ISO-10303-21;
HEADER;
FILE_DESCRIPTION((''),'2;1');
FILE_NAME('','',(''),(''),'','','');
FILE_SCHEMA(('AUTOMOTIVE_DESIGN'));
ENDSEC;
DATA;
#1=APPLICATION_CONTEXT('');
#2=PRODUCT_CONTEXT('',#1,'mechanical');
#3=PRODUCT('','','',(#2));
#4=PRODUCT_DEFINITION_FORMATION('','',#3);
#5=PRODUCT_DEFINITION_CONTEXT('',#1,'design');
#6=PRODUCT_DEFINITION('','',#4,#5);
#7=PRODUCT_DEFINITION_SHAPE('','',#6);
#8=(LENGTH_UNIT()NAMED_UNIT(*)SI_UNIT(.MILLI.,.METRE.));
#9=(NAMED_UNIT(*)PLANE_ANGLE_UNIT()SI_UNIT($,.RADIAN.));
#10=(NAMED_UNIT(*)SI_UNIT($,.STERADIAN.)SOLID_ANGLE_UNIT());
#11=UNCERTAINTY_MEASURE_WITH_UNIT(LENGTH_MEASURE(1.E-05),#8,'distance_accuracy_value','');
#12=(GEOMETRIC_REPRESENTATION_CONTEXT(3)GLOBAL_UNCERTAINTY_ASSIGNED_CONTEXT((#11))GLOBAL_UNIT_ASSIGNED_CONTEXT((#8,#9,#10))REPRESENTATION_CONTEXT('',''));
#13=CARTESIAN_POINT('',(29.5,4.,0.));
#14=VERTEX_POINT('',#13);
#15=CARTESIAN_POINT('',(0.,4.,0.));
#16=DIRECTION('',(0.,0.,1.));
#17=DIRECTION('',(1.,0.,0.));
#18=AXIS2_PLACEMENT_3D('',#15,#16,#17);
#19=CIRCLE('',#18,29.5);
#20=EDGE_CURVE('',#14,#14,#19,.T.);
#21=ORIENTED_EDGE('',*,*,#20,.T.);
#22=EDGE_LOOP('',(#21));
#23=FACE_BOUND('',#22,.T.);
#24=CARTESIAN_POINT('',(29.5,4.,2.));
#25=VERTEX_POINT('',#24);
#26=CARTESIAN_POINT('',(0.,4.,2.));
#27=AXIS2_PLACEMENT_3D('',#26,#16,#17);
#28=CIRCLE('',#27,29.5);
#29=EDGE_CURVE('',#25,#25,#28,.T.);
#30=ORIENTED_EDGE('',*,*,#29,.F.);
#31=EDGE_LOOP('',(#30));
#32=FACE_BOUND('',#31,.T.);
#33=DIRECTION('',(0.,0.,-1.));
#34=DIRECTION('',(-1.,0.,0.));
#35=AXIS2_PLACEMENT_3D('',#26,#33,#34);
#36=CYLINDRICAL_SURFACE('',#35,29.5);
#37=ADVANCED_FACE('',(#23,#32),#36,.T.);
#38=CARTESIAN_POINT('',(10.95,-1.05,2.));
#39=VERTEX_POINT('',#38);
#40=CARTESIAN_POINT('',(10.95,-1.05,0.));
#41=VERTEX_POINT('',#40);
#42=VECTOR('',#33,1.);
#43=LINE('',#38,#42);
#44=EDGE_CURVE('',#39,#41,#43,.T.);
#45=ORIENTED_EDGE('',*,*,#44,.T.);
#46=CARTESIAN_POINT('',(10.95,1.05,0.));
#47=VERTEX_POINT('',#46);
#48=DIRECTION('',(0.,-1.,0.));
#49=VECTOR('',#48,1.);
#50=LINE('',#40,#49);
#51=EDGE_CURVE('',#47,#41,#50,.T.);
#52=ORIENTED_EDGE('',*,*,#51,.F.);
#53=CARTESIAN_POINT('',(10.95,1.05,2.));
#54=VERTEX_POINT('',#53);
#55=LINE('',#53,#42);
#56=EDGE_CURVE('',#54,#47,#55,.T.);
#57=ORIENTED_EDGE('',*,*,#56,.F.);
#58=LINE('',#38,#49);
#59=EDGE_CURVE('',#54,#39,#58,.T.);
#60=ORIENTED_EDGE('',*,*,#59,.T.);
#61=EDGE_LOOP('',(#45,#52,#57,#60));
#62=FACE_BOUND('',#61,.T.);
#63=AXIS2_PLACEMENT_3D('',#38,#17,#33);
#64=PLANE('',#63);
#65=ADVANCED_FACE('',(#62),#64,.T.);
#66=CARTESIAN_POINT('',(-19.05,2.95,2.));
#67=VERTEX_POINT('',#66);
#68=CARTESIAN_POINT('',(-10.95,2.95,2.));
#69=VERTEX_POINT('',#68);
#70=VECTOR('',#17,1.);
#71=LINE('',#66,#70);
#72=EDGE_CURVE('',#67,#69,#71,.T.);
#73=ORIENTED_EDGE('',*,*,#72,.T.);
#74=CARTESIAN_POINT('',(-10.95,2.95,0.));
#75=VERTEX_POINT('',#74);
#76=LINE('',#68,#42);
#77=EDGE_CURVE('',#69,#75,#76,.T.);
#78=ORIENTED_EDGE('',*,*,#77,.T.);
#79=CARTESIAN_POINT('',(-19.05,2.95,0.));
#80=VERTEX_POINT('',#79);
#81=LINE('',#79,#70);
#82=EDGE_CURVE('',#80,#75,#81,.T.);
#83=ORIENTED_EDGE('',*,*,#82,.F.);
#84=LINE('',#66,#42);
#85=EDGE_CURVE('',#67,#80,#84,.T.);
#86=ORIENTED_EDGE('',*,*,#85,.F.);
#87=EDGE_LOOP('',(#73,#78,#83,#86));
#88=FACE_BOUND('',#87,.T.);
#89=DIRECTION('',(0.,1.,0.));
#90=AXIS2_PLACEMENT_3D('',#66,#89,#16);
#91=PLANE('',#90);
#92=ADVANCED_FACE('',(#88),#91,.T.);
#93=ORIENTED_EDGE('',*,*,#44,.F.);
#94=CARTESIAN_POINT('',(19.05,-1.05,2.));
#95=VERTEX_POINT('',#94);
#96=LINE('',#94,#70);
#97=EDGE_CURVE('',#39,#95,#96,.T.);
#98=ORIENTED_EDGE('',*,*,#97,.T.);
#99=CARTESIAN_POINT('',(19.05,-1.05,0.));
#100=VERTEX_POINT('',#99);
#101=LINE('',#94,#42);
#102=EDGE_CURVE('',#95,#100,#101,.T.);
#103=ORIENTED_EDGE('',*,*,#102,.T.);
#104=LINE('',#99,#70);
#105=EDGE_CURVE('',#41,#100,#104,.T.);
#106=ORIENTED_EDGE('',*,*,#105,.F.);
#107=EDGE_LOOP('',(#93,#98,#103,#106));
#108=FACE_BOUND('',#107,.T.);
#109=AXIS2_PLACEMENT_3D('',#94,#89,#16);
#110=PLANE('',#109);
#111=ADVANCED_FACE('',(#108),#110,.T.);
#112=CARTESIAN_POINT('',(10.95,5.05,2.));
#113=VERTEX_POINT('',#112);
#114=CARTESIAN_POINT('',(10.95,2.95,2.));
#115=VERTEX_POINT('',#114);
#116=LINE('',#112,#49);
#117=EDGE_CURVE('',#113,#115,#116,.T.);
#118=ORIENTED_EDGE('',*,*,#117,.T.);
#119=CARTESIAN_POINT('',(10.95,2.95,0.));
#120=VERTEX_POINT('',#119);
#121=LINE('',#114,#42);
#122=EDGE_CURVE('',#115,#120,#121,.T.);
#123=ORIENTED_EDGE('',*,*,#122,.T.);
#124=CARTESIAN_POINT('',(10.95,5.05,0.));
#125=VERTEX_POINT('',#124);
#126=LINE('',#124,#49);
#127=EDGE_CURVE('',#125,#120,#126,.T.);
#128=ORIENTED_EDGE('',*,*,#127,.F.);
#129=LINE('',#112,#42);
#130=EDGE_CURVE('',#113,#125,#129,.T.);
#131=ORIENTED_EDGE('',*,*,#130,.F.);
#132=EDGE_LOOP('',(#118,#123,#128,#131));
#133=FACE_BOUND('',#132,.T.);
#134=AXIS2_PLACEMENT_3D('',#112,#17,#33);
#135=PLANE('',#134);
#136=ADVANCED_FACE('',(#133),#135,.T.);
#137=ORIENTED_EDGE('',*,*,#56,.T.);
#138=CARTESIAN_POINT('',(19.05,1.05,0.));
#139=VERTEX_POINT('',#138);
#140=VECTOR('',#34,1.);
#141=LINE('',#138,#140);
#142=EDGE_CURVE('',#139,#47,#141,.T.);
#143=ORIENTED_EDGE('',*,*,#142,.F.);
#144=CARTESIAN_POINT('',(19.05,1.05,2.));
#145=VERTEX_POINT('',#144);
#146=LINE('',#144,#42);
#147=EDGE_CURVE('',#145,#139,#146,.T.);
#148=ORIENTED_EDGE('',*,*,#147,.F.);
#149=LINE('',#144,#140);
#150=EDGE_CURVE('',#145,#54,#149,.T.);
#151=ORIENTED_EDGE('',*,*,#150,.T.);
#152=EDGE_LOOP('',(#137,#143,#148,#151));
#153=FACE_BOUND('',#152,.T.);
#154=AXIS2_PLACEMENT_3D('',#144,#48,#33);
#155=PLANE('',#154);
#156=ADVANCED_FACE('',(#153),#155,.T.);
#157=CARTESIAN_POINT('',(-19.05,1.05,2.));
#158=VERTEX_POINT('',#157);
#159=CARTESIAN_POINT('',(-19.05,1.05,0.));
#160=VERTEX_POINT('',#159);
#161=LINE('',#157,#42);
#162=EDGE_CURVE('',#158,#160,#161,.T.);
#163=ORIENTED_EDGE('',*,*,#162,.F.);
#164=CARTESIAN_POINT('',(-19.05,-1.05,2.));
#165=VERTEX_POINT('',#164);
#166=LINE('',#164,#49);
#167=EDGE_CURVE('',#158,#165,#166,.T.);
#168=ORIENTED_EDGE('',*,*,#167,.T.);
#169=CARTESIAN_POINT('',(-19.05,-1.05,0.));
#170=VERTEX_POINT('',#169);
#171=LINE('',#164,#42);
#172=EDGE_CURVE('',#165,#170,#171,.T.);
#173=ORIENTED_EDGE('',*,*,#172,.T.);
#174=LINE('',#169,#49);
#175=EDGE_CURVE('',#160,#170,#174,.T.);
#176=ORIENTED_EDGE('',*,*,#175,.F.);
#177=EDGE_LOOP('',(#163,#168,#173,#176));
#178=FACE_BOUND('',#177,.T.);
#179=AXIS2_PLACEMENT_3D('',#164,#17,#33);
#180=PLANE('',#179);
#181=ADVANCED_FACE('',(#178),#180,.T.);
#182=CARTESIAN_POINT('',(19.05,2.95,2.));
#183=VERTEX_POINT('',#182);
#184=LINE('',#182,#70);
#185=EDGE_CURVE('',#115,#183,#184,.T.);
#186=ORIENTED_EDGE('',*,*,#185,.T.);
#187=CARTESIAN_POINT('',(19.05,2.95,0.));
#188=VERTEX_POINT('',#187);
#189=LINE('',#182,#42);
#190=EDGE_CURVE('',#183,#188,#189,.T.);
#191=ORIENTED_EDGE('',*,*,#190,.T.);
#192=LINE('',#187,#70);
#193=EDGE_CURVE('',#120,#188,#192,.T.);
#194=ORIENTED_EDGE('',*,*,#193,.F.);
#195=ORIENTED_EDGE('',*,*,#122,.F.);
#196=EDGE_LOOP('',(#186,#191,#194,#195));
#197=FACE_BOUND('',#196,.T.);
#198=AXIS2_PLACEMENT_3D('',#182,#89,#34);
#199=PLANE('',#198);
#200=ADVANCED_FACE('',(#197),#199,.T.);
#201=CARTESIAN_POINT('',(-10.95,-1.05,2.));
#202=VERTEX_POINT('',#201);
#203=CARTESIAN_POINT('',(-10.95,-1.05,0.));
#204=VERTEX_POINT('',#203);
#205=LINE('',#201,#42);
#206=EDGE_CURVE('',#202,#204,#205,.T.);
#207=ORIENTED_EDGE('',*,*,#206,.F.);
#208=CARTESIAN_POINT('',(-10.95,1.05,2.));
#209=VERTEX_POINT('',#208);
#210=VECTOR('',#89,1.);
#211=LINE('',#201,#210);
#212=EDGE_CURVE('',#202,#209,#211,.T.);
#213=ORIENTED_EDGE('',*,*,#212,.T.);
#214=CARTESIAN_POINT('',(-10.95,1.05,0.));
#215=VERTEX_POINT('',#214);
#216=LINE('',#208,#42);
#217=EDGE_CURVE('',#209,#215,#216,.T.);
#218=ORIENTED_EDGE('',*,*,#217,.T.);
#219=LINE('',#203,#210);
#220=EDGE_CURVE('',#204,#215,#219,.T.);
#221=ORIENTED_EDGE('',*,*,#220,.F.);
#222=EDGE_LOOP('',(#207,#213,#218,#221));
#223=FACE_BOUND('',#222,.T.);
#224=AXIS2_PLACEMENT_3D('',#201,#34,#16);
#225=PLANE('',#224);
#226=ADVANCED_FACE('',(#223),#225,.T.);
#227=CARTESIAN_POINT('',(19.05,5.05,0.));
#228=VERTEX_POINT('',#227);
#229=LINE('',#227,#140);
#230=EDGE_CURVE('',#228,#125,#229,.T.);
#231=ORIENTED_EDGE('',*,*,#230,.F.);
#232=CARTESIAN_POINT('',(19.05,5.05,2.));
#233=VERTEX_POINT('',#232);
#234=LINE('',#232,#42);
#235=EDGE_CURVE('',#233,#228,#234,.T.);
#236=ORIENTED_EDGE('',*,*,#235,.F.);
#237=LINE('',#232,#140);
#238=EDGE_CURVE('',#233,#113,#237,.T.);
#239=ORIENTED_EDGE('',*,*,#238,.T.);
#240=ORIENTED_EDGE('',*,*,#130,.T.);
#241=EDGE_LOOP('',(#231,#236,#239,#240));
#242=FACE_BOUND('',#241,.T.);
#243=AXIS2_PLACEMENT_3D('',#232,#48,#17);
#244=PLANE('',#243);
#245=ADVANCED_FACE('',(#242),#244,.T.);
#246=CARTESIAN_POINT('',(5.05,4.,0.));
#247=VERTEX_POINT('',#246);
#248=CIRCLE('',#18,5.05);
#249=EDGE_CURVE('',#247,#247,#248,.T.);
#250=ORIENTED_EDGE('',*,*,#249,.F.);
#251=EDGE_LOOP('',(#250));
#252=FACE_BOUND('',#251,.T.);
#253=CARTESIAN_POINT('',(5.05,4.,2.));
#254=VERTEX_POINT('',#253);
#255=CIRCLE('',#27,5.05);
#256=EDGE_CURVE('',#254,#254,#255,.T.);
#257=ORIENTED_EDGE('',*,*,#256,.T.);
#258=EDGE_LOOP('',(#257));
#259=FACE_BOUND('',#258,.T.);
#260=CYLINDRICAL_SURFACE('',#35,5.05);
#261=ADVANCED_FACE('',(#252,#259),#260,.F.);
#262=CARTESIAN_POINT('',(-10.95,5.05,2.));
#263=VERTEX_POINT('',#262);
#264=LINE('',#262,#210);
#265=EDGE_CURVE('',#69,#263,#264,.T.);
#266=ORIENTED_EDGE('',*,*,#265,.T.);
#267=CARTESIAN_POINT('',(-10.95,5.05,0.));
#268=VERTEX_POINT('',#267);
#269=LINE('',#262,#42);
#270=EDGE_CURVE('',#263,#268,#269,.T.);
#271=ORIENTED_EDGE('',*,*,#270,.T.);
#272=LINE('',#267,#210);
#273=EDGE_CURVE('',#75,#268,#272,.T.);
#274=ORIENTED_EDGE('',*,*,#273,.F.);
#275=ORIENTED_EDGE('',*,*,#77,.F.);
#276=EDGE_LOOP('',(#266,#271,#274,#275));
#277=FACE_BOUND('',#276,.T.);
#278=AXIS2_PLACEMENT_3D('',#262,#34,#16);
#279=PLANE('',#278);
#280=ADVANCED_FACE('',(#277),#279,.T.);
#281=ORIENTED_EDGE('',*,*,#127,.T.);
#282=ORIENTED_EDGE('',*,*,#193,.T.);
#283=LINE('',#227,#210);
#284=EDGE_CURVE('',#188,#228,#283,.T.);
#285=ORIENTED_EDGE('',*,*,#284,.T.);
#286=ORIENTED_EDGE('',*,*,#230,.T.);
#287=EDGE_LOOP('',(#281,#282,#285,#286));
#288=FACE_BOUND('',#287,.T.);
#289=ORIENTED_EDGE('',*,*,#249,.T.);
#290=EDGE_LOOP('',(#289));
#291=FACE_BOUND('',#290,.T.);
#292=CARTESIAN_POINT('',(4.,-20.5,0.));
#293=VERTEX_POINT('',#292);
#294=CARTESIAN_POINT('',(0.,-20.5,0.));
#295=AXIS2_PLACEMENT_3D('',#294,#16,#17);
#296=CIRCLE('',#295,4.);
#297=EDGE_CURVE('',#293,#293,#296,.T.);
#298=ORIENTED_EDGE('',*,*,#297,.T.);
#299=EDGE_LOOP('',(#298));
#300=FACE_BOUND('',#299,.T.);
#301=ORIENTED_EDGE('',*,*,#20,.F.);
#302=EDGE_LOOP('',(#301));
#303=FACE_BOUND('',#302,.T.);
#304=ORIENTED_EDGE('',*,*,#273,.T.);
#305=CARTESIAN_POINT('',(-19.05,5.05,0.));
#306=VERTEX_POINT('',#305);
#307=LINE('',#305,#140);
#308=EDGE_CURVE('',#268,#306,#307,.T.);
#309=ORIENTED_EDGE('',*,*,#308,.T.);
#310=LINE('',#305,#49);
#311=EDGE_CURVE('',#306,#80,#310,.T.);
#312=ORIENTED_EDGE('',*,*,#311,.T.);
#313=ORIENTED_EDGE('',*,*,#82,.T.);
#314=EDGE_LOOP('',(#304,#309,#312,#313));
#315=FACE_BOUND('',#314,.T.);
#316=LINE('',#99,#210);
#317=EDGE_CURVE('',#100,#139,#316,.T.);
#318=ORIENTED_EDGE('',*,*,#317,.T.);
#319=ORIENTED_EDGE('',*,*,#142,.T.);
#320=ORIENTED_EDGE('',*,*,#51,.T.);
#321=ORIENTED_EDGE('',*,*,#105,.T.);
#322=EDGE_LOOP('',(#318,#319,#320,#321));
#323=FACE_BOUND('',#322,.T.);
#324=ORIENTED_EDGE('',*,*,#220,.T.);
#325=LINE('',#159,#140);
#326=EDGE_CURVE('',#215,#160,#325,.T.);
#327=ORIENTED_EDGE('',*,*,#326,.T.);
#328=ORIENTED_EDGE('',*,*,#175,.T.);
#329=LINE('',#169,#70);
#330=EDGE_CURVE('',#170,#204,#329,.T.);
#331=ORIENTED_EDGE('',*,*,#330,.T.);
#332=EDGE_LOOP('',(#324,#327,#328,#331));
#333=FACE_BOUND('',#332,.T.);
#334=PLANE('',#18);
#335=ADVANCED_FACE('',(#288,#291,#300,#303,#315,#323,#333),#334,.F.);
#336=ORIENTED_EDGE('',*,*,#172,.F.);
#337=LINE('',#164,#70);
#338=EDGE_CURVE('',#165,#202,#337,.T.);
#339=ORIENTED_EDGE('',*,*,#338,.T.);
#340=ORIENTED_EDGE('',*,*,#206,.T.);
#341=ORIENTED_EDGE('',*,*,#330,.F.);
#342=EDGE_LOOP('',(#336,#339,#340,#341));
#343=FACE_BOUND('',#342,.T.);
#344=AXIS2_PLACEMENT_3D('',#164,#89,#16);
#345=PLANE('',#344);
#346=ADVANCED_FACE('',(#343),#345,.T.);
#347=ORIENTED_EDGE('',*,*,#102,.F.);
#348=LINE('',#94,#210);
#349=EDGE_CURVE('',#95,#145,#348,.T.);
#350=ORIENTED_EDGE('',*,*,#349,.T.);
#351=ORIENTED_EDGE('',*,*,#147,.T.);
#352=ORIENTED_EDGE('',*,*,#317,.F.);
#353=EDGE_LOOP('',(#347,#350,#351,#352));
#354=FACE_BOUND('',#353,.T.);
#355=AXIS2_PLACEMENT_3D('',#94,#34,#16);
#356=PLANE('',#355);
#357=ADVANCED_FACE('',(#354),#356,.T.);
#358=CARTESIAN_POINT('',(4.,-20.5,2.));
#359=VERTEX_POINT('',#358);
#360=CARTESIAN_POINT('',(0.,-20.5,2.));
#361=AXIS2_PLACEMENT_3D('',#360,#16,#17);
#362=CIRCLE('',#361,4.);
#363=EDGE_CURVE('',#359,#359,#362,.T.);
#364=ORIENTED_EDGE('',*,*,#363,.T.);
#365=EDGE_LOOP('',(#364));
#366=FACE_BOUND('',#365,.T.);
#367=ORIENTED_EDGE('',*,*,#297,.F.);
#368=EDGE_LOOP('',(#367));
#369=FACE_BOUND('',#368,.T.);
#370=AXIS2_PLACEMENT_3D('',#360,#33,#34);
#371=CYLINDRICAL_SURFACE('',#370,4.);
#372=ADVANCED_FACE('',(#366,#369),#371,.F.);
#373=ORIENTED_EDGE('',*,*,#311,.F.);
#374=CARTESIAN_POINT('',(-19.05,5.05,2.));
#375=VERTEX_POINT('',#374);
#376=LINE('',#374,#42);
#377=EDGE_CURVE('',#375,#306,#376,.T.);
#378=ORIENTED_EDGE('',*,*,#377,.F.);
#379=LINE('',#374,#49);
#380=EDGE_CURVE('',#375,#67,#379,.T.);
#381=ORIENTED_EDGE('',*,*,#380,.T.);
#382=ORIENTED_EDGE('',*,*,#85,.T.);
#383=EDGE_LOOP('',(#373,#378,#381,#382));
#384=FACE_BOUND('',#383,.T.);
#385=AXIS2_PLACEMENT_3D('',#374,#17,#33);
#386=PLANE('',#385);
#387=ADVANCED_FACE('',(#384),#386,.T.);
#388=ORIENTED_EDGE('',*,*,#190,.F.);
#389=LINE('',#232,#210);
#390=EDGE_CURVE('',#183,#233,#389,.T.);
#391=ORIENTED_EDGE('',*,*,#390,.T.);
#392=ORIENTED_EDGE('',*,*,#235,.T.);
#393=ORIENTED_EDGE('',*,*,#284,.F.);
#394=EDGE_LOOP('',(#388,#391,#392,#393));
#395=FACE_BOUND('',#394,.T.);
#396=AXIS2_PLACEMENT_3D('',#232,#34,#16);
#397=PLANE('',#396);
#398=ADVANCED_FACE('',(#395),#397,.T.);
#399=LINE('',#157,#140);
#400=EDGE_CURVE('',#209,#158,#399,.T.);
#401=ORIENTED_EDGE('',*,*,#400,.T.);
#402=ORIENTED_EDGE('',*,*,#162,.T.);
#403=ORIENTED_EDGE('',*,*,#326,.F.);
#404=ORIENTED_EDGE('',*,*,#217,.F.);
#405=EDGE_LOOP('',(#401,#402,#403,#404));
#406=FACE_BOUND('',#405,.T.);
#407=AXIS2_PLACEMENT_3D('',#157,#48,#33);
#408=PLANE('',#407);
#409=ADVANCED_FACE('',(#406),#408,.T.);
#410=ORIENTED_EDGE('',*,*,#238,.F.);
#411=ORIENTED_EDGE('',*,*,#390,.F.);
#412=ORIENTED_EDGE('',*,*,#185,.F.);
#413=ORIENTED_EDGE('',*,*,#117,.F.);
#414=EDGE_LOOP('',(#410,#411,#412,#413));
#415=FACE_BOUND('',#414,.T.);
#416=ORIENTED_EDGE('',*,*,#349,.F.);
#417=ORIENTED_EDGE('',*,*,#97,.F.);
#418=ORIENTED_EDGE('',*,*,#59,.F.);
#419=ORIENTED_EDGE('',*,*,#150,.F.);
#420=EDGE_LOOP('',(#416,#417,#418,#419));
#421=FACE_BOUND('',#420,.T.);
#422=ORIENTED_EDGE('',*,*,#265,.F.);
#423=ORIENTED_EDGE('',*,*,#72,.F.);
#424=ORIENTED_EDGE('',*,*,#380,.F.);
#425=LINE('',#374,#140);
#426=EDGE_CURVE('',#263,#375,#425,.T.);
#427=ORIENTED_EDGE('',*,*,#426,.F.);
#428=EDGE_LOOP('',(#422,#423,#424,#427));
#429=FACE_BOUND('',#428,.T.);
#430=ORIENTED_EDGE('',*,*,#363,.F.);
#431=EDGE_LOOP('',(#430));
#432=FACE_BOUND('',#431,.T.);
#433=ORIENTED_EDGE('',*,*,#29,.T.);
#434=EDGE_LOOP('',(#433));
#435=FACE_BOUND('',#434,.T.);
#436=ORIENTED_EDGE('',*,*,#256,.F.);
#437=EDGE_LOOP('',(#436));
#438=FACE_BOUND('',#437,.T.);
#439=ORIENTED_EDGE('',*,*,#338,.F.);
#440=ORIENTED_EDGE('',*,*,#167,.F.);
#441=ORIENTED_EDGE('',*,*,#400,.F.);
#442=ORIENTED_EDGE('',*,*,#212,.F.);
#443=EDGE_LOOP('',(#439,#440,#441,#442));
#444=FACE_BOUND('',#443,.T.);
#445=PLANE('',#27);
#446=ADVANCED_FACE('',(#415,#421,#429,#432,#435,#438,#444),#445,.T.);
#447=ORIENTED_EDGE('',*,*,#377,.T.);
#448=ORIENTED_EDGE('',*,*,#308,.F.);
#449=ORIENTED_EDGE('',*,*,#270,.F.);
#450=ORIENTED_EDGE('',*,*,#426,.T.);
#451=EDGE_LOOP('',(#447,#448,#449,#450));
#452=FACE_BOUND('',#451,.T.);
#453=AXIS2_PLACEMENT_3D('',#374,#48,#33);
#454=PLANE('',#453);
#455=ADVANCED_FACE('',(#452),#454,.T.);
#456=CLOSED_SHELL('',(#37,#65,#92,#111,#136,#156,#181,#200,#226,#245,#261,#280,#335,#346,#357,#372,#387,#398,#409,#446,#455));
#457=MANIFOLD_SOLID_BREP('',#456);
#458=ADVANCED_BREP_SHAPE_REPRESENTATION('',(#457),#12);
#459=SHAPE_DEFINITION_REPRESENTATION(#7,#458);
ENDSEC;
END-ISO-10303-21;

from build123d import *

# Parameters (mm, degrees)
SKETCH_1_R      = 29.5
SKETCH_1_R_2    = 5.05
SKETCH_1_R_3    = 4
SKETCH_1_W      = 8.1
SKETCH_1_H      = 2.1
EXTRUDE_1_DEPTH = 2


with BuildPart() as part:
    # 草图1 → 凸台-拉伸1 (new body)
    with BuildSketch(Plane.XY):
        with Locations((0, 4)):
            Circle(SKETCH_1_R)
        with Locations((0, 4)):
            Circle(SKETCH_1_R_2, mode=Mode.SUBTRACT)
        with Locations((0, -20.5)):
            Circle(SKETCH_1_R_3, mode=Mode.SUBTRACT)
        with Locations((-15, 4)):
            Rectangle(SKETCH_1_W, SKETCH_1_H, mode=Mode.SUBTRACT)
        with Locations((-15, 0)):
            Rectangle(SKETCH_1_W, SKETCH_1_H, mode=Mode.SUBTRACT)
        with Locations((15, 4)):
            Rectangle(SKETCH_1_W, SKETCH_1_H, mode=Mode.SUBTRACT)
        with Locations((15, 0)):
            Rectangle(SKETCH_1_W, SKETCH_1_H, mode=Mode.SUBTRACT)
    extrude(amount=EXTRUDE_1_DEPTH)


solid = part.part
